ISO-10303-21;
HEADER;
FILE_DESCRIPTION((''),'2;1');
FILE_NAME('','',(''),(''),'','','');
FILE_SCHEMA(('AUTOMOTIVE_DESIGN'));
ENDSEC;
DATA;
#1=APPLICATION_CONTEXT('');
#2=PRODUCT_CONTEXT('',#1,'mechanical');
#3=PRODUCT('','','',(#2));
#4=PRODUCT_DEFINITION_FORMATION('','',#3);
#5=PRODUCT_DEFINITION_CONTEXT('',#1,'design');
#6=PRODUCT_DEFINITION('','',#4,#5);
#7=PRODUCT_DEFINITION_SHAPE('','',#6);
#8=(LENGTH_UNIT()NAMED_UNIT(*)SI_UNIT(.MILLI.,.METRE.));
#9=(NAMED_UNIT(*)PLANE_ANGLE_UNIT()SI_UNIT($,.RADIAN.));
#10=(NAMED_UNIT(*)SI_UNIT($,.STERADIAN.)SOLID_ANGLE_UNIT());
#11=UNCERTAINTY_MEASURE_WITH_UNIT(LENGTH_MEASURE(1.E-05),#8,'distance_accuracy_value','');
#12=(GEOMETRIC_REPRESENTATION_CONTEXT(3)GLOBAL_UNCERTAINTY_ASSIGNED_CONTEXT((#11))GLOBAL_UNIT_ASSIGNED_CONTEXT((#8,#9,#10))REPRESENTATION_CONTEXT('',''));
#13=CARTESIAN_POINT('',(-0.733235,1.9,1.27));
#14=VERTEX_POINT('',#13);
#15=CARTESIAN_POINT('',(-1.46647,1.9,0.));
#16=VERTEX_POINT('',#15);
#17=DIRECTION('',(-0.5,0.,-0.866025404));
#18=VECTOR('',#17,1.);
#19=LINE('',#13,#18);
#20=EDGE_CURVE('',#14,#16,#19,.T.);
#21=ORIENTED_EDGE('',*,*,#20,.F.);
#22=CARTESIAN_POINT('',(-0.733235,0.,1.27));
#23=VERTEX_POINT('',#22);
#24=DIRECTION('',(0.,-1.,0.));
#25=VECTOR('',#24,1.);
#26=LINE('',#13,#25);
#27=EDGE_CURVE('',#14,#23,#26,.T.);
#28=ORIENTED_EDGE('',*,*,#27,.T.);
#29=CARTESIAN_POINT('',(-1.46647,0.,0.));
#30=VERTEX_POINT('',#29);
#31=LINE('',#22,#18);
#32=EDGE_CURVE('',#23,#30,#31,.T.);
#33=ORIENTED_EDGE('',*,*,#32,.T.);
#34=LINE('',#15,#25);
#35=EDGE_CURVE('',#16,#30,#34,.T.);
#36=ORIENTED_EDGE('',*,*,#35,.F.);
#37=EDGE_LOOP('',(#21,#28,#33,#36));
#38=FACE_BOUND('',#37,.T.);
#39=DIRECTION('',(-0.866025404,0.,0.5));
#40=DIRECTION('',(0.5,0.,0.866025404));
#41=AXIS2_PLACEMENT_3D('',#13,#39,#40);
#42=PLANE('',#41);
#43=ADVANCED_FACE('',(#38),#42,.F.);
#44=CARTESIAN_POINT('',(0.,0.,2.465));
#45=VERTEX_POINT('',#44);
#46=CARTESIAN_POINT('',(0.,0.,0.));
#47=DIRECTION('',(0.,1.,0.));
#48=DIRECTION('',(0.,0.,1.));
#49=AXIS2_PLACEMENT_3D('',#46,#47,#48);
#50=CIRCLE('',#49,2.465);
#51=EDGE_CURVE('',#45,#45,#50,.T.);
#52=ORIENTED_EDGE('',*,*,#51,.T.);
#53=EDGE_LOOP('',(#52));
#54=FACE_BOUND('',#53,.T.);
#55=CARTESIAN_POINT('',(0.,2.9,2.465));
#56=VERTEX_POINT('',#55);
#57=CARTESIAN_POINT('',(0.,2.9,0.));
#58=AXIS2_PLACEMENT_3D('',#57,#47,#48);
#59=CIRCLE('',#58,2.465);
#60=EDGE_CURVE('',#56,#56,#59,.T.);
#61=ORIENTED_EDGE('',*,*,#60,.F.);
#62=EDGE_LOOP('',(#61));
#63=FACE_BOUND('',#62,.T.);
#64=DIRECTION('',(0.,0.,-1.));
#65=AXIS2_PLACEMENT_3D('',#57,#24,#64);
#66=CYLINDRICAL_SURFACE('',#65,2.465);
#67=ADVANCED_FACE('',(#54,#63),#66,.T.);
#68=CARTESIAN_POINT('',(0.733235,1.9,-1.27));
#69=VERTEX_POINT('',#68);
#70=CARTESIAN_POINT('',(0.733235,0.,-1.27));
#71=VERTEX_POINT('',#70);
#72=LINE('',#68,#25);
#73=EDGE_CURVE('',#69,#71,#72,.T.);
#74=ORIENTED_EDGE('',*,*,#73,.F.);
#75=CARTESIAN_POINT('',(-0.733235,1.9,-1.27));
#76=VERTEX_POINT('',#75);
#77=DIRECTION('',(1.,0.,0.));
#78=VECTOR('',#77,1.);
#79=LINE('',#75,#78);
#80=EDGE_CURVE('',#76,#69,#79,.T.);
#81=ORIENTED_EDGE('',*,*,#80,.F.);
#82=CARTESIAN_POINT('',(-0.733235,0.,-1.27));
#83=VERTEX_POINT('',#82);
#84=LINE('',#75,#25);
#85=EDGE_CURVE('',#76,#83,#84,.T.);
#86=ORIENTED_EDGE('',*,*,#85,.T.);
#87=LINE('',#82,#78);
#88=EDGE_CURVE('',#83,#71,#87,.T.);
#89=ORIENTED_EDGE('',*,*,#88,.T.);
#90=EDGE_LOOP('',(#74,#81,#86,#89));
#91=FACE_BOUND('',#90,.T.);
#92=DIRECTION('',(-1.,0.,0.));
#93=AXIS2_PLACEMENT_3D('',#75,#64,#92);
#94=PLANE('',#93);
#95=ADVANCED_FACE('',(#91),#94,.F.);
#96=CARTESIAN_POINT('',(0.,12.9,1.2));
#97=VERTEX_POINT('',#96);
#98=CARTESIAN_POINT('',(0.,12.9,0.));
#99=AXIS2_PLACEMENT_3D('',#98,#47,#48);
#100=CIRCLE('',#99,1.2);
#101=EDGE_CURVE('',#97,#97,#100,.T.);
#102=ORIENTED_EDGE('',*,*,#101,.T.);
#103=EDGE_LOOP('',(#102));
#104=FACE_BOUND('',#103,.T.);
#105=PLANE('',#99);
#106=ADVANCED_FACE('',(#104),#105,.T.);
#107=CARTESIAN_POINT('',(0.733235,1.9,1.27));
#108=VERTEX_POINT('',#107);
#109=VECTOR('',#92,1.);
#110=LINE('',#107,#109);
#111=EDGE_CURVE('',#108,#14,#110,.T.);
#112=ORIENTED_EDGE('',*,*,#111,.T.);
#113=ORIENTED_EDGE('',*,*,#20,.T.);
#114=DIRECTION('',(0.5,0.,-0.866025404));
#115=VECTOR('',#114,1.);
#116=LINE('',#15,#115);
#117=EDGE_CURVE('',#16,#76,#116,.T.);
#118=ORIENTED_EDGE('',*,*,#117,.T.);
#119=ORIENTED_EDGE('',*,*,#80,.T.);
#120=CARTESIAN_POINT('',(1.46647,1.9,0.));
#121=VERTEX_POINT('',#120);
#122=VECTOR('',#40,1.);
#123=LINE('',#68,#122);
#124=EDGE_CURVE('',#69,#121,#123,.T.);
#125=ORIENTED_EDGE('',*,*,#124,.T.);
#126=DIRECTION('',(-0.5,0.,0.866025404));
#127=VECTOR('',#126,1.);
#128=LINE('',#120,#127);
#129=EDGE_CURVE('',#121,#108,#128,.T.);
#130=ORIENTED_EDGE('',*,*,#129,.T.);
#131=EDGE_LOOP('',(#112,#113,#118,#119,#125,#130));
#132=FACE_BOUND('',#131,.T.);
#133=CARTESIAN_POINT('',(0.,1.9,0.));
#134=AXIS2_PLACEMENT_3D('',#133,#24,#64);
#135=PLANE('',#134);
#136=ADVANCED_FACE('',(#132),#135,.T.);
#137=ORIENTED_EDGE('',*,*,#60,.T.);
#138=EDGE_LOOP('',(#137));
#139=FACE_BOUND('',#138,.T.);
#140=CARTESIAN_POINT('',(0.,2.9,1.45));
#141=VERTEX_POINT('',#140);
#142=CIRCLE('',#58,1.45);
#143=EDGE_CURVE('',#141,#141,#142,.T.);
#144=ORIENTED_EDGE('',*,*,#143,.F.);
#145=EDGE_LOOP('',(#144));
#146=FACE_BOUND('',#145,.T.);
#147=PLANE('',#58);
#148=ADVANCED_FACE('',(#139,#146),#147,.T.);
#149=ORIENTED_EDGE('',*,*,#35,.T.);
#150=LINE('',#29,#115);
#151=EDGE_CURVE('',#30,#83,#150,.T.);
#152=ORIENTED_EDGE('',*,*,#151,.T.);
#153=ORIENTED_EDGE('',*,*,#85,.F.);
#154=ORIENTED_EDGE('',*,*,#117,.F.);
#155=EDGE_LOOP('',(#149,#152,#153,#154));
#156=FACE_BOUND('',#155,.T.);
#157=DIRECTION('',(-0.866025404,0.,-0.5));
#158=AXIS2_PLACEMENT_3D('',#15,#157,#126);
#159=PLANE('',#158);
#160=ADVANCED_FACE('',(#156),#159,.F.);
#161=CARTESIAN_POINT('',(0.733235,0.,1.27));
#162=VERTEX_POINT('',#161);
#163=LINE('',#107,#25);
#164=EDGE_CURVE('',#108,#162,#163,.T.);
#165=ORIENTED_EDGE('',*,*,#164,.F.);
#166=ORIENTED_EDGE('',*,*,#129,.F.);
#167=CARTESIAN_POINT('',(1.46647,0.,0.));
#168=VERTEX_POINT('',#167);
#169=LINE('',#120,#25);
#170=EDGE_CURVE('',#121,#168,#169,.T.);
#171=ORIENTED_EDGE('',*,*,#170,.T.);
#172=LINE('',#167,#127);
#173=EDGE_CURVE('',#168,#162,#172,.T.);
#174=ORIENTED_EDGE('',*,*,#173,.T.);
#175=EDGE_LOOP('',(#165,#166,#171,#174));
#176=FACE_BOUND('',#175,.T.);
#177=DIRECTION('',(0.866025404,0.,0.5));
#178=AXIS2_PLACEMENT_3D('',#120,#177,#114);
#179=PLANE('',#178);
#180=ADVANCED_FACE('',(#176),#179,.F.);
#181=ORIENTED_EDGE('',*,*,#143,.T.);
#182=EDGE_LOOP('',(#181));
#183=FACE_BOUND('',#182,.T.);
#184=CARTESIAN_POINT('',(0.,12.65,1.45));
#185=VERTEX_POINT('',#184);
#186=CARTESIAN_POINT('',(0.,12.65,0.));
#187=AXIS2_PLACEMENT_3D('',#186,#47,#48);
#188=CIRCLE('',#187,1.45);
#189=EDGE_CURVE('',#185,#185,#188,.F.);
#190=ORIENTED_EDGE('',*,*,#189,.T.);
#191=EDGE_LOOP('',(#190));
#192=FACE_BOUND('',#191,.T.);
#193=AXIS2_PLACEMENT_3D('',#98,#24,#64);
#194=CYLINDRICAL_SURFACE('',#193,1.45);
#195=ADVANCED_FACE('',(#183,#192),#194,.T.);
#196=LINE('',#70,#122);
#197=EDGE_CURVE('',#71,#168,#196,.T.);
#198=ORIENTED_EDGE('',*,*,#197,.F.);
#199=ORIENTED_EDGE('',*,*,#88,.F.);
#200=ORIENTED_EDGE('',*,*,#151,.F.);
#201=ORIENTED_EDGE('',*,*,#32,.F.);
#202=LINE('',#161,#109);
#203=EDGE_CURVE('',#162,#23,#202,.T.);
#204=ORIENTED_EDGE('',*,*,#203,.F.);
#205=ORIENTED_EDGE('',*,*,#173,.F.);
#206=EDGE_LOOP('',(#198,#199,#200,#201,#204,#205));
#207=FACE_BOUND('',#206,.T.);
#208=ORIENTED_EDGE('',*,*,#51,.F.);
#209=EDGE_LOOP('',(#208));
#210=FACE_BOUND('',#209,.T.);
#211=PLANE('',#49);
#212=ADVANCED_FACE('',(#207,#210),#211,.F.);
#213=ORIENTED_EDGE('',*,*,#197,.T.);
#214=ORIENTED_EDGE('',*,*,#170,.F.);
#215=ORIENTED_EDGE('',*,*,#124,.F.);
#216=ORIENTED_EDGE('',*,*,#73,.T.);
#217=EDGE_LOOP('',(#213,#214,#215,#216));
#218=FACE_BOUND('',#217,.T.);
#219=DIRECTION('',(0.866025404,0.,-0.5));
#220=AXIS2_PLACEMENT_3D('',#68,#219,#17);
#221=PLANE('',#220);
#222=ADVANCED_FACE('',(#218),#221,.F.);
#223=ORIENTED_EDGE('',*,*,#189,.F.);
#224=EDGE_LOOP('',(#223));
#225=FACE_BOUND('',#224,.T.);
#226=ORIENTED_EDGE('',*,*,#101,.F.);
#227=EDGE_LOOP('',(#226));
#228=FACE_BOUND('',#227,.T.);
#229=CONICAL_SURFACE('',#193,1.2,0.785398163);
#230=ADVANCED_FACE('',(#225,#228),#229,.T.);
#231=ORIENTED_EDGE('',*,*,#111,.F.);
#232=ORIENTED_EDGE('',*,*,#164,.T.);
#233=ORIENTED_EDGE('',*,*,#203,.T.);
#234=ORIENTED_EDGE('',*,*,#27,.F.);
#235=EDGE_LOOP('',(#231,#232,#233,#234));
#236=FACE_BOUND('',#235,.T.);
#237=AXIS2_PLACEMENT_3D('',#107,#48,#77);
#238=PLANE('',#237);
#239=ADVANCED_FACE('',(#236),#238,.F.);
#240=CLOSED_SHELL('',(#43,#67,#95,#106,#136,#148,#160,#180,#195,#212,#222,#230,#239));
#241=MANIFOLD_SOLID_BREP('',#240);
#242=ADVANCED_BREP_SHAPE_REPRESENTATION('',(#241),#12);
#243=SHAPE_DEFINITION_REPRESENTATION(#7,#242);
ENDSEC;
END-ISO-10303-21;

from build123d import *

# Parameters (mm, degrees)
SKETCH1_R           = 2.465
BOSS_EXTRUDE1_DEPTH = 2.9
SKETCH2_R           = 1.45
BOSS_EXTRUDE2_DEPTH = 10
CUT_EXTRUDE1_DEPTH  = 1.9
CHAMFER1_SIZE       = 0.25


with BuildPart() as part:
    # Sketch1 → Boss-Extrude1 (new body)
    with BuildSketch(Plane(origin=(0, 0, 0), x_dir=(1, 0, 0), z_dir=(0, 1, 0))):
        Circle(SKETCH1_R)
    extrude(amount=BOSS_EXTRUDE1_DEPTH)

    # Sketch2 → Boss-Extrude2 (add)
    with BuildSketch(Plane(origin=(0, 2.9, 0), x_dir=(1, 0, 0), z_dir=(0, 1, 0))):
        Circle(SKETCH2_R)
    extrude(amount=BOSS_EXTRUDE2_DEPTH)

    # Sketch3 → Cut-Extrude1 (cut)
    with BuildSketch(Plane.XZ):
        Polygon((0.733234842, -1.27), (1.466469684, 0), (0.733234842, 1.27), (-0.733234842, 1.27), (-1.466469684, 0), (-0.733234842, -1.27), align=None)
    extrude(amount=-CUT_EXTRUDE1_DEPTH, mode=Mode.SUBTRACT)

    # Chamfer1
    chamfer1_edges = [part.edges().sort_by_distance(p)[0] for p in [
        (-1.45, 12.9, 0),
    ]]
    chamfer(chamfer1_edges, length=CHAMFER1_SIZE)


solid = part.part
